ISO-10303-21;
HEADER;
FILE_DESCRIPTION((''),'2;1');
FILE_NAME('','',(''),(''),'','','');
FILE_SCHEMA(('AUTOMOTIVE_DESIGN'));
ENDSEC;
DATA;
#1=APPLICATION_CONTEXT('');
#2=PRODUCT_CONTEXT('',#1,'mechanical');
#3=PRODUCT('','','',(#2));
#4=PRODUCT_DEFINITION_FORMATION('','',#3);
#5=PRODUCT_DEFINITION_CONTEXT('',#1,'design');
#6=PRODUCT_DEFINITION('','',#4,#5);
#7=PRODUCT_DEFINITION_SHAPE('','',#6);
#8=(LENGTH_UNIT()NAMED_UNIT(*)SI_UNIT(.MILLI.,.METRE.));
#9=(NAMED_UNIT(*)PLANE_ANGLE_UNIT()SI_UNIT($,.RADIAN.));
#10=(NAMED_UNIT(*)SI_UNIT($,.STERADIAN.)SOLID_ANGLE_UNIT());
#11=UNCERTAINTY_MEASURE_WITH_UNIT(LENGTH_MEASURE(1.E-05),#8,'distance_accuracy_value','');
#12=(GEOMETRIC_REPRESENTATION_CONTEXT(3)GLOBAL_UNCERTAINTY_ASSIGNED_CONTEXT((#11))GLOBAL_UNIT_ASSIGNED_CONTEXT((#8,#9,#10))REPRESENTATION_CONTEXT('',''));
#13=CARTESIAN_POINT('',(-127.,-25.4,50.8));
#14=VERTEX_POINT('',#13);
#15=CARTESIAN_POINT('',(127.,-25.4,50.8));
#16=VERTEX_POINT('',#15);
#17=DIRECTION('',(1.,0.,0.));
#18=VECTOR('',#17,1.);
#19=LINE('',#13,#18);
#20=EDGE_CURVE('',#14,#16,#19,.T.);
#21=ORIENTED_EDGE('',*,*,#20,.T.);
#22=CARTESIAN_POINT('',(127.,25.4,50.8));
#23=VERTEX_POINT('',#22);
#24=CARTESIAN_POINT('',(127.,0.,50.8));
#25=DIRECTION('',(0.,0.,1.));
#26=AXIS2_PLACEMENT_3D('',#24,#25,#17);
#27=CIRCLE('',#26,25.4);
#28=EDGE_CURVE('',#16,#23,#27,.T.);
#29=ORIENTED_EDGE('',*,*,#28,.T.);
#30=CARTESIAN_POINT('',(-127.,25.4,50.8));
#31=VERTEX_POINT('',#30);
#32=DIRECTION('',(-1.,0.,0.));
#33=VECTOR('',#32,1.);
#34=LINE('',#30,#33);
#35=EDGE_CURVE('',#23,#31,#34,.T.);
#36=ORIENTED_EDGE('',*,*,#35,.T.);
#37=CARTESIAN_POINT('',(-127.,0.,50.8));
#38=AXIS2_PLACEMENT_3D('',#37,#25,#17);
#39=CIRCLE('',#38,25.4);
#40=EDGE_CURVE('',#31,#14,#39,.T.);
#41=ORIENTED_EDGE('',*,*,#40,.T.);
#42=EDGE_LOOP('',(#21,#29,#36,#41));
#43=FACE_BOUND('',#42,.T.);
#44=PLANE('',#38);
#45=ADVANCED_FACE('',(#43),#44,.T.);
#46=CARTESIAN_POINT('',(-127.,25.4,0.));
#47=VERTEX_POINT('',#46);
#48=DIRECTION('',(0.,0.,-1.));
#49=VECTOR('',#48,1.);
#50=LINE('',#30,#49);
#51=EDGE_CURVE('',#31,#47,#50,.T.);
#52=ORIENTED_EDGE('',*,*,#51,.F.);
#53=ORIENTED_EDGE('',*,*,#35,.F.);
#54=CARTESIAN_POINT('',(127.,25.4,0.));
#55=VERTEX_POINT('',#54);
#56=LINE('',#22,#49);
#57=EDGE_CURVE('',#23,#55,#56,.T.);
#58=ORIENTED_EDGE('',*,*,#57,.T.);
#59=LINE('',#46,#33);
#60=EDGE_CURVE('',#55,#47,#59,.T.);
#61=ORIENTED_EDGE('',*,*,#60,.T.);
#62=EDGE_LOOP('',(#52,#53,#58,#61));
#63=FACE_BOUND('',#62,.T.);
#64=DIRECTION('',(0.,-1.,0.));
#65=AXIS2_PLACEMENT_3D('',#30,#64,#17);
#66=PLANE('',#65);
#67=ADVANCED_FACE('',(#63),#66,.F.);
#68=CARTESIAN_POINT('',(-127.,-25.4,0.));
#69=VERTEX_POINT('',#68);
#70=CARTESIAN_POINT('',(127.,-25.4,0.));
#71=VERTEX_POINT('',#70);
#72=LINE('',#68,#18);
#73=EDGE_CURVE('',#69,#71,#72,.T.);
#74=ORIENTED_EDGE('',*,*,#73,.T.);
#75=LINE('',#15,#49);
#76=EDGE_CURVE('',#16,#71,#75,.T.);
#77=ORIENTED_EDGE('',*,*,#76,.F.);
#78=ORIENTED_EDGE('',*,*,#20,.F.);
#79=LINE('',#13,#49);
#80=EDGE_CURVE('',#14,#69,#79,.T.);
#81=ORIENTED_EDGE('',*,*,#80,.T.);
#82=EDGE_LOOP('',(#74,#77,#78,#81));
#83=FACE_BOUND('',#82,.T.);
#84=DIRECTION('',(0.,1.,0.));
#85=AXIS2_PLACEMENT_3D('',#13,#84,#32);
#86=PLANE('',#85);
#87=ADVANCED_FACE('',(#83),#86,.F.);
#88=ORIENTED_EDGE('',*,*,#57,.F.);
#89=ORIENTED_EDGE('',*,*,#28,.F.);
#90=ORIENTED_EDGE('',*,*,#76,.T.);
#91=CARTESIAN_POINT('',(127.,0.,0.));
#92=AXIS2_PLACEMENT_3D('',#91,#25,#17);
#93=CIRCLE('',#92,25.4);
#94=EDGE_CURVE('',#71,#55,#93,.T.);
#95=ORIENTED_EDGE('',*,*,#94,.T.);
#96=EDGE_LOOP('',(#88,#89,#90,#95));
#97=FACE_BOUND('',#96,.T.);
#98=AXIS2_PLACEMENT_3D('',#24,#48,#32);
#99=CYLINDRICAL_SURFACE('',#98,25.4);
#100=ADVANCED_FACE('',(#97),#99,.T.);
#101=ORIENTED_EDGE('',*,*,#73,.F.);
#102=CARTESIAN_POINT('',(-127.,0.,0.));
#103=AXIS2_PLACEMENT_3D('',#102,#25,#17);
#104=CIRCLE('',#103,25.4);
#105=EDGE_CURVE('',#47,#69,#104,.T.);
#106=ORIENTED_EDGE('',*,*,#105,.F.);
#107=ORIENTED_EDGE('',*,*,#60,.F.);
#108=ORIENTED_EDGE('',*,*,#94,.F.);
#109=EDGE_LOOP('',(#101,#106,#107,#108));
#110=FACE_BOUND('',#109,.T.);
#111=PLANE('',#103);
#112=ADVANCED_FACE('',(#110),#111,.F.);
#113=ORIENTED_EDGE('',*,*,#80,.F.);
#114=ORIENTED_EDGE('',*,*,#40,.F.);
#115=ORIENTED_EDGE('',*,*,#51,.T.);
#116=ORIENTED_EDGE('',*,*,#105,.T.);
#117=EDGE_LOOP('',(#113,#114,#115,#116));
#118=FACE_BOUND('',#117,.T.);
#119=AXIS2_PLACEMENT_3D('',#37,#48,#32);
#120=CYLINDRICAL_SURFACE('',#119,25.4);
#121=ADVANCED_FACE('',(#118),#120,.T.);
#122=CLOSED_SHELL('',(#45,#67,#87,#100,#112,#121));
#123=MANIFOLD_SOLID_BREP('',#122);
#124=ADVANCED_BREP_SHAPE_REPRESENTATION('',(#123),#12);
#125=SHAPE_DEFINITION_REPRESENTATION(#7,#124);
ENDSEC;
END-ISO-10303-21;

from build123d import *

# Parameters (mm, degrees)
BOSS_EXTRUDE1_DEPTH = 50.8


with BuildPart() as part:
    # Sketch1 → Boss-Extrude1 (new body)
    with BuildSketch(Plane.XY):
        with BuildLine():
            Line((-127, 25.4), (127, 25.4))
            ThreePointArc((127, 25.4), (152.4, 0), (127, -25.4))
            Line((127, -25.4), (-127, -25.4))
            ThreePointArc((-127, -25.4), (-152.4, 0), (-127, 25.4))
        make_face()
    extrude(amount=BOSS_EXTRUDE1_DEPTH)


solid = part.part
